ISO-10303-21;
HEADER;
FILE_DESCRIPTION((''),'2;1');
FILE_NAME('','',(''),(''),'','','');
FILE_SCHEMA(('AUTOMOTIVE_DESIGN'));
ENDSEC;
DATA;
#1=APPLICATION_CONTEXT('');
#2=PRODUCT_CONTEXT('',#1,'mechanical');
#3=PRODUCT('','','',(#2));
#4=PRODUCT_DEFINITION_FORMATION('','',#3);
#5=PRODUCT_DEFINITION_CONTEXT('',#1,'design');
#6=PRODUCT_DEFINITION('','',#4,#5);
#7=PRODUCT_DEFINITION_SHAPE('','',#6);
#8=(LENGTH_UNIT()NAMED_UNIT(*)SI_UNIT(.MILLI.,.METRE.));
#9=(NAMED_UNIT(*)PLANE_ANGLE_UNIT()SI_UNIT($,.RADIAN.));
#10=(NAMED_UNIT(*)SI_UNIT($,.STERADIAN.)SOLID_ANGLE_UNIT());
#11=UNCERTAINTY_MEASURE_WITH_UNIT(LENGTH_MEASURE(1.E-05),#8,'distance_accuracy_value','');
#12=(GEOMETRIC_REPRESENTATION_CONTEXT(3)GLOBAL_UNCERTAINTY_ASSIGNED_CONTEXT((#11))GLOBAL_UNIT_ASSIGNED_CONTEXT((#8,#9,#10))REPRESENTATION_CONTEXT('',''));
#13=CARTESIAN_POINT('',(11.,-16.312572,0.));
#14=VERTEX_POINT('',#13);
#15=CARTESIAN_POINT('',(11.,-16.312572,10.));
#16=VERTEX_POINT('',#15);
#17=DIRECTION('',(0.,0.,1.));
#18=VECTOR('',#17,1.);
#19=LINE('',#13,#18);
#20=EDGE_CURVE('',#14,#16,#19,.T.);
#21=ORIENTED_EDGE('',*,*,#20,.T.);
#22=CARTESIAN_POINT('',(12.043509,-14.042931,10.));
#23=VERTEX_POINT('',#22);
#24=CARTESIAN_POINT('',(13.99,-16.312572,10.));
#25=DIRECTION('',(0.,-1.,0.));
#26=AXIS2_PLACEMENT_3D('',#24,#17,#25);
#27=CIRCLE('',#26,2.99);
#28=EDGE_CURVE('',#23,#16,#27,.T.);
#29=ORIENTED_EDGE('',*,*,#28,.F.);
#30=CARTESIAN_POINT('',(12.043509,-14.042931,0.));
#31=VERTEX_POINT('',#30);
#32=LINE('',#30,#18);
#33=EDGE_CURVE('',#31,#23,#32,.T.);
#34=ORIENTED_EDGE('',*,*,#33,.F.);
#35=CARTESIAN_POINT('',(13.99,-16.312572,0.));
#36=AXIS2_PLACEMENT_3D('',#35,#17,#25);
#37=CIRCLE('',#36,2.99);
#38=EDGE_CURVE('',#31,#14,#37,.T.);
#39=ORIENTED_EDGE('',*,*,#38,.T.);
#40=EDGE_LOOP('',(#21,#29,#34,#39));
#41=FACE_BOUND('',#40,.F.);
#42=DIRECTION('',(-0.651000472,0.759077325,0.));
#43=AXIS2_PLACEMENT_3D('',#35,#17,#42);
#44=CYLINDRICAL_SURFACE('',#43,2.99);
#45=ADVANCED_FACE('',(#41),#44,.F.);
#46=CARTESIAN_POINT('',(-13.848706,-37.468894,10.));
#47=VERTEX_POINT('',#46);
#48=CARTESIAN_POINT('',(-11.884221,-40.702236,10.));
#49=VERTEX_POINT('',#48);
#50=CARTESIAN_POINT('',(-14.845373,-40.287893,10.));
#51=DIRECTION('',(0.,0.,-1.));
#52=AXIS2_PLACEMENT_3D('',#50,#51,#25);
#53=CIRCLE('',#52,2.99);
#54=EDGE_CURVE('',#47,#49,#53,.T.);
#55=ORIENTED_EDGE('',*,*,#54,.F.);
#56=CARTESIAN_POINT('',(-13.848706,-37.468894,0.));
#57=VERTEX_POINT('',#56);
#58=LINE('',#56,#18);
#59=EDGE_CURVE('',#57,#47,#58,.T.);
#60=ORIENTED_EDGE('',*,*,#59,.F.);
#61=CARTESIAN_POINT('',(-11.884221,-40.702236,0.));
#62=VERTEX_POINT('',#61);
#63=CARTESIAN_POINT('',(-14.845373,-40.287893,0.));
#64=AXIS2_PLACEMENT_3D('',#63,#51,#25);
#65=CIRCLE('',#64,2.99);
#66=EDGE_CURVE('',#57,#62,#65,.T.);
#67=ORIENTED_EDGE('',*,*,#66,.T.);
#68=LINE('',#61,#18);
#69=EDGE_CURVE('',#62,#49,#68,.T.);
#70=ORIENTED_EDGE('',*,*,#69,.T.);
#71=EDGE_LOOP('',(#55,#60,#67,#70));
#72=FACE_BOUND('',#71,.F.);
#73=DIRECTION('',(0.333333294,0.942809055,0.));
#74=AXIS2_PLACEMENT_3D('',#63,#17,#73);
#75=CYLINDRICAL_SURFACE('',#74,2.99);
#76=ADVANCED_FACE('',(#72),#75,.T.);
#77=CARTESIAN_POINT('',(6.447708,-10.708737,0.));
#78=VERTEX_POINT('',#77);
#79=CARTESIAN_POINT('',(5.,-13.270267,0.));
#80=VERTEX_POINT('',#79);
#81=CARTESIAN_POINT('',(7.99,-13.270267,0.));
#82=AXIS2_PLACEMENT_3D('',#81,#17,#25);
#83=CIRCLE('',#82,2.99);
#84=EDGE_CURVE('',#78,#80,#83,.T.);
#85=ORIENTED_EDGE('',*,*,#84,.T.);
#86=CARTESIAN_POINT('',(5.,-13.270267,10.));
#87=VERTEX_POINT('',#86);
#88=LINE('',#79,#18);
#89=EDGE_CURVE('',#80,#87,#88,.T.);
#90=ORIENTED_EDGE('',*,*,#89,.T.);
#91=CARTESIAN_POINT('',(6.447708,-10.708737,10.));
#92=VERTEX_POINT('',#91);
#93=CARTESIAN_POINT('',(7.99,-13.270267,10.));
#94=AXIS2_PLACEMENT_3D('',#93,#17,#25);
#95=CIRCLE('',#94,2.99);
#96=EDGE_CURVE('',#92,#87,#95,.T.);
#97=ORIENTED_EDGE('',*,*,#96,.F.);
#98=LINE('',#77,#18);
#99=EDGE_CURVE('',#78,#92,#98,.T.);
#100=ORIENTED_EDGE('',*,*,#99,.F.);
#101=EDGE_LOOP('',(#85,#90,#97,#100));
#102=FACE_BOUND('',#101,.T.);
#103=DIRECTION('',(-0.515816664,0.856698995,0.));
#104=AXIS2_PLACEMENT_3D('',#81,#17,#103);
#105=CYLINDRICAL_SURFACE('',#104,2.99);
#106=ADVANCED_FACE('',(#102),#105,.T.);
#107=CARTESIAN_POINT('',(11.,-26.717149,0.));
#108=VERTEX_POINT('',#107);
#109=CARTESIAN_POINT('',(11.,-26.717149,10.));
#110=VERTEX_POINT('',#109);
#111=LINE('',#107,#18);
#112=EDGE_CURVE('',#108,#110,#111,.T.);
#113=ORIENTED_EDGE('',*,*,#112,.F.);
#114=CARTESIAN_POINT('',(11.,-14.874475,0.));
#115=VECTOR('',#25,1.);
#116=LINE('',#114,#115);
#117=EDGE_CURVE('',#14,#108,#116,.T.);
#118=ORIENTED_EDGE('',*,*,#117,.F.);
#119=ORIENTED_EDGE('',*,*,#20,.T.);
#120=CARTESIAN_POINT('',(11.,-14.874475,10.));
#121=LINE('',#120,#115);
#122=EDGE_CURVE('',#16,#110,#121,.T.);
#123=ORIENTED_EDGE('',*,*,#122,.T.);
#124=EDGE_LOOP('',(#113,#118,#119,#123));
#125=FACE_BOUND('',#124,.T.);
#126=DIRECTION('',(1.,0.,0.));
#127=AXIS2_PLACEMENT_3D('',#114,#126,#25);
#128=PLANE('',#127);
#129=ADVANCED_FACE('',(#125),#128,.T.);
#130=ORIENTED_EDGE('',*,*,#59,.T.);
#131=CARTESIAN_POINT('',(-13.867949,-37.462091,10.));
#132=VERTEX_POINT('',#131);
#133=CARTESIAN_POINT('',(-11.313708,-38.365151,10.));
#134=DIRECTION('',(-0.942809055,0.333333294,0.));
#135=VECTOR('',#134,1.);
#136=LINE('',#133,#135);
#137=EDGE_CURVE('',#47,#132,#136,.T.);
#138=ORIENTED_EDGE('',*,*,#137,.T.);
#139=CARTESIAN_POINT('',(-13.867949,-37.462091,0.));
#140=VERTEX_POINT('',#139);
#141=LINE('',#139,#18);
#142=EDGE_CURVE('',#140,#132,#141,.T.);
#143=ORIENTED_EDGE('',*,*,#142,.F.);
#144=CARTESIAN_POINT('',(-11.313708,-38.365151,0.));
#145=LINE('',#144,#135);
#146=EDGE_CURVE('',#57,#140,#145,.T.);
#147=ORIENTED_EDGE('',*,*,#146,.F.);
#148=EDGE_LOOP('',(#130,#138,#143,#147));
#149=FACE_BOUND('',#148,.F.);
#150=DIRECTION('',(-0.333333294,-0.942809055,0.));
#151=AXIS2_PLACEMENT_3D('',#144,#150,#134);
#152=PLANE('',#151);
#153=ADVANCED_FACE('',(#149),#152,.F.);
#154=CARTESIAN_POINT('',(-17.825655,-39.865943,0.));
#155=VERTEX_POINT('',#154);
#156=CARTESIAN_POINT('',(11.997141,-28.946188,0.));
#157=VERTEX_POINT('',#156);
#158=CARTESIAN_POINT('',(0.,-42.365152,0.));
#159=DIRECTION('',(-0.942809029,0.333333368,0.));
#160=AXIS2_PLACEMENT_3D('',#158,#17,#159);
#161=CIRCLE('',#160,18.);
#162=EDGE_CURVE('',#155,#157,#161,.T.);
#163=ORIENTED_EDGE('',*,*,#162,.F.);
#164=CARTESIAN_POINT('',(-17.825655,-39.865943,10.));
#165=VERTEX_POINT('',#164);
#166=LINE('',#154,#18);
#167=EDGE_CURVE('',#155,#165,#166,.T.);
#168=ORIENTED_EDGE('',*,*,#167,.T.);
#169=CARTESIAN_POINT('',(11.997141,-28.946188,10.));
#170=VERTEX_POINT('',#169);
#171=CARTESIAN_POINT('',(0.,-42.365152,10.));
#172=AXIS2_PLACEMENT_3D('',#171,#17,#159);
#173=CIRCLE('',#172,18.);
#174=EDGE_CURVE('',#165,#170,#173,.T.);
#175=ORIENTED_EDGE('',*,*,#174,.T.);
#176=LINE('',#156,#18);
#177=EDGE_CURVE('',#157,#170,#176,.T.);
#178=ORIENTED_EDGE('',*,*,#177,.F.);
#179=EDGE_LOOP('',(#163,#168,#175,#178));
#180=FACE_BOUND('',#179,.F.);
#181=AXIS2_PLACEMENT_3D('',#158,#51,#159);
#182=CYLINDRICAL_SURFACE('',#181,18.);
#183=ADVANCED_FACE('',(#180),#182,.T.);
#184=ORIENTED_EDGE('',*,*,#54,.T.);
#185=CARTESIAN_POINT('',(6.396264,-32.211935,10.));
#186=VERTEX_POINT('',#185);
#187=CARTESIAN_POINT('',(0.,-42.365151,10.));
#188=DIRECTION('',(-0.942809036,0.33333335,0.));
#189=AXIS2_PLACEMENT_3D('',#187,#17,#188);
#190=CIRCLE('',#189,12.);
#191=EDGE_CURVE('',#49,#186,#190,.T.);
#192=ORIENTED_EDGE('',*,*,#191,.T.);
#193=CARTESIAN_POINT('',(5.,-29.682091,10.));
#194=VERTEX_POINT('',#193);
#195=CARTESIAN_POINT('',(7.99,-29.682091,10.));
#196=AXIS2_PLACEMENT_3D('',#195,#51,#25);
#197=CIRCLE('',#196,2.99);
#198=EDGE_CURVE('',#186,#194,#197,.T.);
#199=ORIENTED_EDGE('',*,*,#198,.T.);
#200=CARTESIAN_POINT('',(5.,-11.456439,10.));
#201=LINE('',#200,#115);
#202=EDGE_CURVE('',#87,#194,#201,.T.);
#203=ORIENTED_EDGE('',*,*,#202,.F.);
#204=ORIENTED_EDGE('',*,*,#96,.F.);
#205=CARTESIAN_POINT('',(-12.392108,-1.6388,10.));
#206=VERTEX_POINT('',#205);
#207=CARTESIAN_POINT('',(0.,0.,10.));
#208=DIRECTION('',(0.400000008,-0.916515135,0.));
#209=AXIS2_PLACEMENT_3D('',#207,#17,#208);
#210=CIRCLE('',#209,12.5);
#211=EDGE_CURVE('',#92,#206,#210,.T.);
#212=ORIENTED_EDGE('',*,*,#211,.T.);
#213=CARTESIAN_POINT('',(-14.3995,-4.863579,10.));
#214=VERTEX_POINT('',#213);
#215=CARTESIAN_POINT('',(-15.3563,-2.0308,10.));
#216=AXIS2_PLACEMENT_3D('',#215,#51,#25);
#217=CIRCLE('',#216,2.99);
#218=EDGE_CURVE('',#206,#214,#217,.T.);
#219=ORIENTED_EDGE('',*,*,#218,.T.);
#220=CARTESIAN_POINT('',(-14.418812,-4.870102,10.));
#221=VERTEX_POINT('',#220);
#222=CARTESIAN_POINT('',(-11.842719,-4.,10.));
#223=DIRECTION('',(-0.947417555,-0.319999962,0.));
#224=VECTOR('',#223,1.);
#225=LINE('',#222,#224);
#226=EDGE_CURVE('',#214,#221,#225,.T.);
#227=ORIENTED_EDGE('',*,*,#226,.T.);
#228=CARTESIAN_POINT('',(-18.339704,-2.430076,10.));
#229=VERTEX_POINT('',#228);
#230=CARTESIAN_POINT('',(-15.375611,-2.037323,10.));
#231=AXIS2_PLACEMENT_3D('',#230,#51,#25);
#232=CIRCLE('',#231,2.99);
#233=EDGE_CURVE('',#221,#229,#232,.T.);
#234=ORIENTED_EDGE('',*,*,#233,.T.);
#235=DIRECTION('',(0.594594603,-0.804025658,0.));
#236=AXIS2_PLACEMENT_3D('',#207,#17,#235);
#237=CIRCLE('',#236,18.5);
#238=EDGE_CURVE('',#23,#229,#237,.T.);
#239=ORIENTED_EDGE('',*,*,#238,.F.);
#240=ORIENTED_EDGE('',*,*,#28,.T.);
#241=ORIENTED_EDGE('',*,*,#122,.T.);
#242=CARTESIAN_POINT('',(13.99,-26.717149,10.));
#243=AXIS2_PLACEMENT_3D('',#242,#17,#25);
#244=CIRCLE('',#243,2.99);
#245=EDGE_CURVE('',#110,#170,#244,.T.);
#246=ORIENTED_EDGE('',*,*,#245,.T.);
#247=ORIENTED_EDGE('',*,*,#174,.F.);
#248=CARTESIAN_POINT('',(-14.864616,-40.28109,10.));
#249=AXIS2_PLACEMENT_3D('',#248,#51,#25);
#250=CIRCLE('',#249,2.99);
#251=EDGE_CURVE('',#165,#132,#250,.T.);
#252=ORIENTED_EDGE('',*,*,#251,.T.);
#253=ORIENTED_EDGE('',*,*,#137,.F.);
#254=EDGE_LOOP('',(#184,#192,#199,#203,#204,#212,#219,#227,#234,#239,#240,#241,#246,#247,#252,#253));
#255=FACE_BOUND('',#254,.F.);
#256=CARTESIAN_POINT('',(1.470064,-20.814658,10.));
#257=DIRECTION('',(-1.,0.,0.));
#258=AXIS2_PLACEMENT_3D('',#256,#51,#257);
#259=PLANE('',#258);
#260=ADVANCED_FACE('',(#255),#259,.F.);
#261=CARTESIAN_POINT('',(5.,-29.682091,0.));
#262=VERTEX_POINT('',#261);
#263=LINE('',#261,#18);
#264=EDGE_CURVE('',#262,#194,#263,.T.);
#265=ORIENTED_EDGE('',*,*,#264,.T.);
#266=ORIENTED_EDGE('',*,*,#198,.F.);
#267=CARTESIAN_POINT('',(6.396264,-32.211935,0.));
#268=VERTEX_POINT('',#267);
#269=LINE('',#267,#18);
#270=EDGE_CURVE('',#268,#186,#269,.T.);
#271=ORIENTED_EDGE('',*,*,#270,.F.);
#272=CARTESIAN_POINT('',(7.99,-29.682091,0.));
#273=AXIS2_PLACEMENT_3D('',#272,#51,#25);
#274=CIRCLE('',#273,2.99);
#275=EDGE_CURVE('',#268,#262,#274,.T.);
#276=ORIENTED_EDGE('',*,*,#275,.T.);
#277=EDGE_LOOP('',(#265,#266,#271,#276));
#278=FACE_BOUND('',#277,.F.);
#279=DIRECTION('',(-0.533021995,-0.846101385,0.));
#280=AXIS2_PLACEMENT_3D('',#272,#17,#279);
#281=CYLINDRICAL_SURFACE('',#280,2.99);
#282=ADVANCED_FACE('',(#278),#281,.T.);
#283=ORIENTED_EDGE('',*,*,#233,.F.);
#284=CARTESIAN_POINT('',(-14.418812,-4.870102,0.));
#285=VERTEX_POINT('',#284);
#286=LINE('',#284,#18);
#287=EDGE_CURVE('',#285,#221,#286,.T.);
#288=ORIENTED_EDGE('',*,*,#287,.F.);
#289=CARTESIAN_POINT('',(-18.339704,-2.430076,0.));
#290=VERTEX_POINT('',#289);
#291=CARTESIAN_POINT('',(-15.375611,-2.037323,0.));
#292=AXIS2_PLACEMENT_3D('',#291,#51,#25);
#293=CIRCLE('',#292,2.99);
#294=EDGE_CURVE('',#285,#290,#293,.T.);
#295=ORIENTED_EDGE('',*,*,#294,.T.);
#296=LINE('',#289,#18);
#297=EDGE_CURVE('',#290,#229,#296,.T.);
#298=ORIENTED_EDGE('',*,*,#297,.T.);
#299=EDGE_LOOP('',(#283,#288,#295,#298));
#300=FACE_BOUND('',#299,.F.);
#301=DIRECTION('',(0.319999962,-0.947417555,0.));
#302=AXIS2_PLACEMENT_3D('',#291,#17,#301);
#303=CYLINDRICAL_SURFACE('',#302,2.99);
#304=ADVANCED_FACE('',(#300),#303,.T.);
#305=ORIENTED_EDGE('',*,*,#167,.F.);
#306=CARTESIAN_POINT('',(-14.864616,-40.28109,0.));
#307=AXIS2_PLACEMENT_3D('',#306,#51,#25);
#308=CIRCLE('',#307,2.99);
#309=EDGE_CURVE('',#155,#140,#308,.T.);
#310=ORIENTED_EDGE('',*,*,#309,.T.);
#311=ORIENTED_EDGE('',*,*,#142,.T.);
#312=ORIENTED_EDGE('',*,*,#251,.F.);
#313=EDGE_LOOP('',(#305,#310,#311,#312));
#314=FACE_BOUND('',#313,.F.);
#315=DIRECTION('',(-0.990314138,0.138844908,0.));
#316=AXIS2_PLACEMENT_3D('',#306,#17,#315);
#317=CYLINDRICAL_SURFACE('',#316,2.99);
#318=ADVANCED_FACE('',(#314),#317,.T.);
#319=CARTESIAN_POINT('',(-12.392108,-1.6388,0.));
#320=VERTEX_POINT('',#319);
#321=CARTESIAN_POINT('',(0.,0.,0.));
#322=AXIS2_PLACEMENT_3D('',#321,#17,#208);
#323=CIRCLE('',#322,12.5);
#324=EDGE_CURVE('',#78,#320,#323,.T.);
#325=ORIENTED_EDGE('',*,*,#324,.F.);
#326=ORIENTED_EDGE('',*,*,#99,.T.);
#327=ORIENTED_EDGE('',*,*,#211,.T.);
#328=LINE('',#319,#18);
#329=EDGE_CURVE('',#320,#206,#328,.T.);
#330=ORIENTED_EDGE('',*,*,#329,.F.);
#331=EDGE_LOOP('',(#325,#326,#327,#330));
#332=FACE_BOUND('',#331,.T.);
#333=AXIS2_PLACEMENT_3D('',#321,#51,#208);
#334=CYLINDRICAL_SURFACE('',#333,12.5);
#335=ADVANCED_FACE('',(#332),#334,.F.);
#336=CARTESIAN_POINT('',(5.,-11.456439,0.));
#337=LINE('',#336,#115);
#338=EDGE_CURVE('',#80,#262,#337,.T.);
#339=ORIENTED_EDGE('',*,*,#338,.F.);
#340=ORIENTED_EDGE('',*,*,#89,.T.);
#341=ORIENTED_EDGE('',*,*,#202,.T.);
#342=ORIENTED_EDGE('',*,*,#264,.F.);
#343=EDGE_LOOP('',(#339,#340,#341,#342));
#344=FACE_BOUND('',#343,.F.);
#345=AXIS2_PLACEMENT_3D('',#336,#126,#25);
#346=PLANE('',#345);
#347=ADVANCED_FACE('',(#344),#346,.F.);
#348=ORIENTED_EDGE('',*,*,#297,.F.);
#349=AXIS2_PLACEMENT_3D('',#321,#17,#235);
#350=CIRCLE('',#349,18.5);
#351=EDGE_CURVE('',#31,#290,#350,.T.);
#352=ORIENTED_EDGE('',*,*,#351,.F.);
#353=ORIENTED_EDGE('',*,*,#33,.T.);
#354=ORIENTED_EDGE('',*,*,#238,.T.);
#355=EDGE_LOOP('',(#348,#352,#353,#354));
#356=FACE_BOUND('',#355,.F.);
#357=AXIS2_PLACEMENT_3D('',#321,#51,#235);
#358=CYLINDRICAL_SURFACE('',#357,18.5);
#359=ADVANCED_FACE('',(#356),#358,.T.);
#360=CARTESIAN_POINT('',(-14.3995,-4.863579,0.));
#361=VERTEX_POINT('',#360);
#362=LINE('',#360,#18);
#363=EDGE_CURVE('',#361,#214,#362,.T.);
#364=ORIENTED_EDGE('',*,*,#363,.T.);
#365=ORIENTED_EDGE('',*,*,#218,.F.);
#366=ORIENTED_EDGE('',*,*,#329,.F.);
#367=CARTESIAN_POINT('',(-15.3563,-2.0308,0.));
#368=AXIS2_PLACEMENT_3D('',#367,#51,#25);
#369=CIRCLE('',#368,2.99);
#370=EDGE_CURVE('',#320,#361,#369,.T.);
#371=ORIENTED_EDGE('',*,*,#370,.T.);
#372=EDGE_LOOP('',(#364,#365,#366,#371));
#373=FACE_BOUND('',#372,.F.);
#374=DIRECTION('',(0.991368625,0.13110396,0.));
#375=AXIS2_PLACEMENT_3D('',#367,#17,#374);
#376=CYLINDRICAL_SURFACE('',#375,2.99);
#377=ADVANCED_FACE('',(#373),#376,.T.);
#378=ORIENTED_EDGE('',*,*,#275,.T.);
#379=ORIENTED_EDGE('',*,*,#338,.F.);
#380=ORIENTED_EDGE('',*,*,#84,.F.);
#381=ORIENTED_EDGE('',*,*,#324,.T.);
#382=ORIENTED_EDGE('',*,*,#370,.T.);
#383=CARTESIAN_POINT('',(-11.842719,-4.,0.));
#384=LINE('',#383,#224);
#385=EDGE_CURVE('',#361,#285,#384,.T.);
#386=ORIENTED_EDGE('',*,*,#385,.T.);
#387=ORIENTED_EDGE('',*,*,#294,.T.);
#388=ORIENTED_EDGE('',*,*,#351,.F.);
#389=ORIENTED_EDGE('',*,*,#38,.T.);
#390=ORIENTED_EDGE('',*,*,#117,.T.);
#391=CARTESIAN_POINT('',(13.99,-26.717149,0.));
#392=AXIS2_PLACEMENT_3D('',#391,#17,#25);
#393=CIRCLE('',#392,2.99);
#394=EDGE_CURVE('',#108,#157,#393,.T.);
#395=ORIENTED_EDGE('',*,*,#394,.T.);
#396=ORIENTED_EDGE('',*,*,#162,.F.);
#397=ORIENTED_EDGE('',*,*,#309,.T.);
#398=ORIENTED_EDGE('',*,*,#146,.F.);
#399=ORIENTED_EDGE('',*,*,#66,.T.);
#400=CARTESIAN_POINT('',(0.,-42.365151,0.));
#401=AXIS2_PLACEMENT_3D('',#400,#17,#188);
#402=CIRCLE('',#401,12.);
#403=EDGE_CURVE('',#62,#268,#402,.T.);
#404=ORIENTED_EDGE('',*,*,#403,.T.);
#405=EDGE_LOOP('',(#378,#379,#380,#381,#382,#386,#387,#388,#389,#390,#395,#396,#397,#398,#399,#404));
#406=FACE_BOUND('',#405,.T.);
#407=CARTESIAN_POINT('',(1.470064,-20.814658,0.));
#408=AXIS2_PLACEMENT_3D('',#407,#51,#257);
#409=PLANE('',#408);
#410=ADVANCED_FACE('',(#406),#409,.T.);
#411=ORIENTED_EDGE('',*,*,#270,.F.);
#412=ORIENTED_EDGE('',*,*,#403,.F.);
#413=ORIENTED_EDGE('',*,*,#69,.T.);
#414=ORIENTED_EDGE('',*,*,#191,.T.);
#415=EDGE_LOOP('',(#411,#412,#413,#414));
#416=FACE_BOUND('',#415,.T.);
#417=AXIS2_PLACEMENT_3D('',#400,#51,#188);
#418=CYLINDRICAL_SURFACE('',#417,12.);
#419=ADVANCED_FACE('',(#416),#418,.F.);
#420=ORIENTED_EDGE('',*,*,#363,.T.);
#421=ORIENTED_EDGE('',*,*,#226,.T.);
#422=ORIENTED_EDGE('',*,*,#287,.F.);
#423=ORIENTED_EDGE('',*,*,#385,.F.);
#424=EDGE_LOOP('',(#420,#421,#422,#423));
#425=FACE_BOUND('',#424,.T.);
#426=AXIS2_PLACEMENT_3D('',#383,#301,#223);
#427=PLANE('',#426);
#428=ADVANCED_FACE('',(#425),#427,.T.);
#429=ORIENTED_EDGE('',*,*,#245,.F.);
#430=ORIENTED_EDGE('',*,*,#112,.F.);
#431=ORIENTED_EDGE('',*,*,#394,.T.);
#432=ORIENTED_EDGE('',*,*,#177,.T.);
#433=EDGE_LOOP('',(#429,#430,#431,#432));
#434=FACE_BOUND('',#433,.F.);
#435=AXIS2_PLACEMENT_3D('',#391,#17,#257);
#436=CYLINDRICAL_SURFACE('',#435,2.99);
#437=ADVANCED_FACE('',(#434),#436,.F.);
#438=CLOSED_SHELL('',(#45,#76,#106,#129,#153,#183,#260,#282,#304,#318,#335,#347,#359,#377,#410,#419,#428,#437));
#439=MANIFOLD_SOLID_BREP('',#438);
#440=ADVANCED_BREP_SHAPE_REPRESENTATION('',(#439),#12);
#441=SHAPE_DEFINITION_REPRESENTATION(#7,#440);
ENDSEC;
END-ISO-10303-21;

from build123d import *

# Parameters (mm, degrees)
PAD_DEPTH = 10
FILLET_R  = 2.99


with BuildPart() as part:
    # Sketch → Pad (new body)
    with BuildSketch(Plane.XY):
        with BuildLine():
            ThreePointArc((5, -11.456439), (5.06017, 11.42999), (-11.842719, -4))
            Line((-11.842719, -4), (-17.527225, -5.92))
            ThreePointArc((11, -14.874475), (5.540471, 17.650869), (-17.527225, -5.92))
            Line((11, -14.874475), (11, -28.117345))
            ThreePointArc((-16.970563, -36.365151), (5.09102, -59.630189), (11, -28.117345))
            Line((-11.313708, -38.365151), (-16.970563, -36.365151))
            ThreePointArc((-11.313708, -38.365151), (4.679562, -53.415115), (5, -31.456439))
            Line((5, -11.456439), (5, -31.456439))
        make_face()
    extrude(amount=PAD_DEPTH)

    # Fillet
    fillet_edges = [part.edges().sort_by_distance(p)[0] for p in [
        (-17.527225, -5.92, 5),
        (-11.842719, -4, 5),
        (-11.313708, -38.365151, 5),
        (-16.970563, -36.365151, 5),
        (5, -31.456439, 5),
        (5, -11.456439, 5),
        (11, -14.874475, 5),
        (11, -28.117345, 5),
    ]]
    fillet(fillet_edges, radius=FILLET_R)


solid = part.part
